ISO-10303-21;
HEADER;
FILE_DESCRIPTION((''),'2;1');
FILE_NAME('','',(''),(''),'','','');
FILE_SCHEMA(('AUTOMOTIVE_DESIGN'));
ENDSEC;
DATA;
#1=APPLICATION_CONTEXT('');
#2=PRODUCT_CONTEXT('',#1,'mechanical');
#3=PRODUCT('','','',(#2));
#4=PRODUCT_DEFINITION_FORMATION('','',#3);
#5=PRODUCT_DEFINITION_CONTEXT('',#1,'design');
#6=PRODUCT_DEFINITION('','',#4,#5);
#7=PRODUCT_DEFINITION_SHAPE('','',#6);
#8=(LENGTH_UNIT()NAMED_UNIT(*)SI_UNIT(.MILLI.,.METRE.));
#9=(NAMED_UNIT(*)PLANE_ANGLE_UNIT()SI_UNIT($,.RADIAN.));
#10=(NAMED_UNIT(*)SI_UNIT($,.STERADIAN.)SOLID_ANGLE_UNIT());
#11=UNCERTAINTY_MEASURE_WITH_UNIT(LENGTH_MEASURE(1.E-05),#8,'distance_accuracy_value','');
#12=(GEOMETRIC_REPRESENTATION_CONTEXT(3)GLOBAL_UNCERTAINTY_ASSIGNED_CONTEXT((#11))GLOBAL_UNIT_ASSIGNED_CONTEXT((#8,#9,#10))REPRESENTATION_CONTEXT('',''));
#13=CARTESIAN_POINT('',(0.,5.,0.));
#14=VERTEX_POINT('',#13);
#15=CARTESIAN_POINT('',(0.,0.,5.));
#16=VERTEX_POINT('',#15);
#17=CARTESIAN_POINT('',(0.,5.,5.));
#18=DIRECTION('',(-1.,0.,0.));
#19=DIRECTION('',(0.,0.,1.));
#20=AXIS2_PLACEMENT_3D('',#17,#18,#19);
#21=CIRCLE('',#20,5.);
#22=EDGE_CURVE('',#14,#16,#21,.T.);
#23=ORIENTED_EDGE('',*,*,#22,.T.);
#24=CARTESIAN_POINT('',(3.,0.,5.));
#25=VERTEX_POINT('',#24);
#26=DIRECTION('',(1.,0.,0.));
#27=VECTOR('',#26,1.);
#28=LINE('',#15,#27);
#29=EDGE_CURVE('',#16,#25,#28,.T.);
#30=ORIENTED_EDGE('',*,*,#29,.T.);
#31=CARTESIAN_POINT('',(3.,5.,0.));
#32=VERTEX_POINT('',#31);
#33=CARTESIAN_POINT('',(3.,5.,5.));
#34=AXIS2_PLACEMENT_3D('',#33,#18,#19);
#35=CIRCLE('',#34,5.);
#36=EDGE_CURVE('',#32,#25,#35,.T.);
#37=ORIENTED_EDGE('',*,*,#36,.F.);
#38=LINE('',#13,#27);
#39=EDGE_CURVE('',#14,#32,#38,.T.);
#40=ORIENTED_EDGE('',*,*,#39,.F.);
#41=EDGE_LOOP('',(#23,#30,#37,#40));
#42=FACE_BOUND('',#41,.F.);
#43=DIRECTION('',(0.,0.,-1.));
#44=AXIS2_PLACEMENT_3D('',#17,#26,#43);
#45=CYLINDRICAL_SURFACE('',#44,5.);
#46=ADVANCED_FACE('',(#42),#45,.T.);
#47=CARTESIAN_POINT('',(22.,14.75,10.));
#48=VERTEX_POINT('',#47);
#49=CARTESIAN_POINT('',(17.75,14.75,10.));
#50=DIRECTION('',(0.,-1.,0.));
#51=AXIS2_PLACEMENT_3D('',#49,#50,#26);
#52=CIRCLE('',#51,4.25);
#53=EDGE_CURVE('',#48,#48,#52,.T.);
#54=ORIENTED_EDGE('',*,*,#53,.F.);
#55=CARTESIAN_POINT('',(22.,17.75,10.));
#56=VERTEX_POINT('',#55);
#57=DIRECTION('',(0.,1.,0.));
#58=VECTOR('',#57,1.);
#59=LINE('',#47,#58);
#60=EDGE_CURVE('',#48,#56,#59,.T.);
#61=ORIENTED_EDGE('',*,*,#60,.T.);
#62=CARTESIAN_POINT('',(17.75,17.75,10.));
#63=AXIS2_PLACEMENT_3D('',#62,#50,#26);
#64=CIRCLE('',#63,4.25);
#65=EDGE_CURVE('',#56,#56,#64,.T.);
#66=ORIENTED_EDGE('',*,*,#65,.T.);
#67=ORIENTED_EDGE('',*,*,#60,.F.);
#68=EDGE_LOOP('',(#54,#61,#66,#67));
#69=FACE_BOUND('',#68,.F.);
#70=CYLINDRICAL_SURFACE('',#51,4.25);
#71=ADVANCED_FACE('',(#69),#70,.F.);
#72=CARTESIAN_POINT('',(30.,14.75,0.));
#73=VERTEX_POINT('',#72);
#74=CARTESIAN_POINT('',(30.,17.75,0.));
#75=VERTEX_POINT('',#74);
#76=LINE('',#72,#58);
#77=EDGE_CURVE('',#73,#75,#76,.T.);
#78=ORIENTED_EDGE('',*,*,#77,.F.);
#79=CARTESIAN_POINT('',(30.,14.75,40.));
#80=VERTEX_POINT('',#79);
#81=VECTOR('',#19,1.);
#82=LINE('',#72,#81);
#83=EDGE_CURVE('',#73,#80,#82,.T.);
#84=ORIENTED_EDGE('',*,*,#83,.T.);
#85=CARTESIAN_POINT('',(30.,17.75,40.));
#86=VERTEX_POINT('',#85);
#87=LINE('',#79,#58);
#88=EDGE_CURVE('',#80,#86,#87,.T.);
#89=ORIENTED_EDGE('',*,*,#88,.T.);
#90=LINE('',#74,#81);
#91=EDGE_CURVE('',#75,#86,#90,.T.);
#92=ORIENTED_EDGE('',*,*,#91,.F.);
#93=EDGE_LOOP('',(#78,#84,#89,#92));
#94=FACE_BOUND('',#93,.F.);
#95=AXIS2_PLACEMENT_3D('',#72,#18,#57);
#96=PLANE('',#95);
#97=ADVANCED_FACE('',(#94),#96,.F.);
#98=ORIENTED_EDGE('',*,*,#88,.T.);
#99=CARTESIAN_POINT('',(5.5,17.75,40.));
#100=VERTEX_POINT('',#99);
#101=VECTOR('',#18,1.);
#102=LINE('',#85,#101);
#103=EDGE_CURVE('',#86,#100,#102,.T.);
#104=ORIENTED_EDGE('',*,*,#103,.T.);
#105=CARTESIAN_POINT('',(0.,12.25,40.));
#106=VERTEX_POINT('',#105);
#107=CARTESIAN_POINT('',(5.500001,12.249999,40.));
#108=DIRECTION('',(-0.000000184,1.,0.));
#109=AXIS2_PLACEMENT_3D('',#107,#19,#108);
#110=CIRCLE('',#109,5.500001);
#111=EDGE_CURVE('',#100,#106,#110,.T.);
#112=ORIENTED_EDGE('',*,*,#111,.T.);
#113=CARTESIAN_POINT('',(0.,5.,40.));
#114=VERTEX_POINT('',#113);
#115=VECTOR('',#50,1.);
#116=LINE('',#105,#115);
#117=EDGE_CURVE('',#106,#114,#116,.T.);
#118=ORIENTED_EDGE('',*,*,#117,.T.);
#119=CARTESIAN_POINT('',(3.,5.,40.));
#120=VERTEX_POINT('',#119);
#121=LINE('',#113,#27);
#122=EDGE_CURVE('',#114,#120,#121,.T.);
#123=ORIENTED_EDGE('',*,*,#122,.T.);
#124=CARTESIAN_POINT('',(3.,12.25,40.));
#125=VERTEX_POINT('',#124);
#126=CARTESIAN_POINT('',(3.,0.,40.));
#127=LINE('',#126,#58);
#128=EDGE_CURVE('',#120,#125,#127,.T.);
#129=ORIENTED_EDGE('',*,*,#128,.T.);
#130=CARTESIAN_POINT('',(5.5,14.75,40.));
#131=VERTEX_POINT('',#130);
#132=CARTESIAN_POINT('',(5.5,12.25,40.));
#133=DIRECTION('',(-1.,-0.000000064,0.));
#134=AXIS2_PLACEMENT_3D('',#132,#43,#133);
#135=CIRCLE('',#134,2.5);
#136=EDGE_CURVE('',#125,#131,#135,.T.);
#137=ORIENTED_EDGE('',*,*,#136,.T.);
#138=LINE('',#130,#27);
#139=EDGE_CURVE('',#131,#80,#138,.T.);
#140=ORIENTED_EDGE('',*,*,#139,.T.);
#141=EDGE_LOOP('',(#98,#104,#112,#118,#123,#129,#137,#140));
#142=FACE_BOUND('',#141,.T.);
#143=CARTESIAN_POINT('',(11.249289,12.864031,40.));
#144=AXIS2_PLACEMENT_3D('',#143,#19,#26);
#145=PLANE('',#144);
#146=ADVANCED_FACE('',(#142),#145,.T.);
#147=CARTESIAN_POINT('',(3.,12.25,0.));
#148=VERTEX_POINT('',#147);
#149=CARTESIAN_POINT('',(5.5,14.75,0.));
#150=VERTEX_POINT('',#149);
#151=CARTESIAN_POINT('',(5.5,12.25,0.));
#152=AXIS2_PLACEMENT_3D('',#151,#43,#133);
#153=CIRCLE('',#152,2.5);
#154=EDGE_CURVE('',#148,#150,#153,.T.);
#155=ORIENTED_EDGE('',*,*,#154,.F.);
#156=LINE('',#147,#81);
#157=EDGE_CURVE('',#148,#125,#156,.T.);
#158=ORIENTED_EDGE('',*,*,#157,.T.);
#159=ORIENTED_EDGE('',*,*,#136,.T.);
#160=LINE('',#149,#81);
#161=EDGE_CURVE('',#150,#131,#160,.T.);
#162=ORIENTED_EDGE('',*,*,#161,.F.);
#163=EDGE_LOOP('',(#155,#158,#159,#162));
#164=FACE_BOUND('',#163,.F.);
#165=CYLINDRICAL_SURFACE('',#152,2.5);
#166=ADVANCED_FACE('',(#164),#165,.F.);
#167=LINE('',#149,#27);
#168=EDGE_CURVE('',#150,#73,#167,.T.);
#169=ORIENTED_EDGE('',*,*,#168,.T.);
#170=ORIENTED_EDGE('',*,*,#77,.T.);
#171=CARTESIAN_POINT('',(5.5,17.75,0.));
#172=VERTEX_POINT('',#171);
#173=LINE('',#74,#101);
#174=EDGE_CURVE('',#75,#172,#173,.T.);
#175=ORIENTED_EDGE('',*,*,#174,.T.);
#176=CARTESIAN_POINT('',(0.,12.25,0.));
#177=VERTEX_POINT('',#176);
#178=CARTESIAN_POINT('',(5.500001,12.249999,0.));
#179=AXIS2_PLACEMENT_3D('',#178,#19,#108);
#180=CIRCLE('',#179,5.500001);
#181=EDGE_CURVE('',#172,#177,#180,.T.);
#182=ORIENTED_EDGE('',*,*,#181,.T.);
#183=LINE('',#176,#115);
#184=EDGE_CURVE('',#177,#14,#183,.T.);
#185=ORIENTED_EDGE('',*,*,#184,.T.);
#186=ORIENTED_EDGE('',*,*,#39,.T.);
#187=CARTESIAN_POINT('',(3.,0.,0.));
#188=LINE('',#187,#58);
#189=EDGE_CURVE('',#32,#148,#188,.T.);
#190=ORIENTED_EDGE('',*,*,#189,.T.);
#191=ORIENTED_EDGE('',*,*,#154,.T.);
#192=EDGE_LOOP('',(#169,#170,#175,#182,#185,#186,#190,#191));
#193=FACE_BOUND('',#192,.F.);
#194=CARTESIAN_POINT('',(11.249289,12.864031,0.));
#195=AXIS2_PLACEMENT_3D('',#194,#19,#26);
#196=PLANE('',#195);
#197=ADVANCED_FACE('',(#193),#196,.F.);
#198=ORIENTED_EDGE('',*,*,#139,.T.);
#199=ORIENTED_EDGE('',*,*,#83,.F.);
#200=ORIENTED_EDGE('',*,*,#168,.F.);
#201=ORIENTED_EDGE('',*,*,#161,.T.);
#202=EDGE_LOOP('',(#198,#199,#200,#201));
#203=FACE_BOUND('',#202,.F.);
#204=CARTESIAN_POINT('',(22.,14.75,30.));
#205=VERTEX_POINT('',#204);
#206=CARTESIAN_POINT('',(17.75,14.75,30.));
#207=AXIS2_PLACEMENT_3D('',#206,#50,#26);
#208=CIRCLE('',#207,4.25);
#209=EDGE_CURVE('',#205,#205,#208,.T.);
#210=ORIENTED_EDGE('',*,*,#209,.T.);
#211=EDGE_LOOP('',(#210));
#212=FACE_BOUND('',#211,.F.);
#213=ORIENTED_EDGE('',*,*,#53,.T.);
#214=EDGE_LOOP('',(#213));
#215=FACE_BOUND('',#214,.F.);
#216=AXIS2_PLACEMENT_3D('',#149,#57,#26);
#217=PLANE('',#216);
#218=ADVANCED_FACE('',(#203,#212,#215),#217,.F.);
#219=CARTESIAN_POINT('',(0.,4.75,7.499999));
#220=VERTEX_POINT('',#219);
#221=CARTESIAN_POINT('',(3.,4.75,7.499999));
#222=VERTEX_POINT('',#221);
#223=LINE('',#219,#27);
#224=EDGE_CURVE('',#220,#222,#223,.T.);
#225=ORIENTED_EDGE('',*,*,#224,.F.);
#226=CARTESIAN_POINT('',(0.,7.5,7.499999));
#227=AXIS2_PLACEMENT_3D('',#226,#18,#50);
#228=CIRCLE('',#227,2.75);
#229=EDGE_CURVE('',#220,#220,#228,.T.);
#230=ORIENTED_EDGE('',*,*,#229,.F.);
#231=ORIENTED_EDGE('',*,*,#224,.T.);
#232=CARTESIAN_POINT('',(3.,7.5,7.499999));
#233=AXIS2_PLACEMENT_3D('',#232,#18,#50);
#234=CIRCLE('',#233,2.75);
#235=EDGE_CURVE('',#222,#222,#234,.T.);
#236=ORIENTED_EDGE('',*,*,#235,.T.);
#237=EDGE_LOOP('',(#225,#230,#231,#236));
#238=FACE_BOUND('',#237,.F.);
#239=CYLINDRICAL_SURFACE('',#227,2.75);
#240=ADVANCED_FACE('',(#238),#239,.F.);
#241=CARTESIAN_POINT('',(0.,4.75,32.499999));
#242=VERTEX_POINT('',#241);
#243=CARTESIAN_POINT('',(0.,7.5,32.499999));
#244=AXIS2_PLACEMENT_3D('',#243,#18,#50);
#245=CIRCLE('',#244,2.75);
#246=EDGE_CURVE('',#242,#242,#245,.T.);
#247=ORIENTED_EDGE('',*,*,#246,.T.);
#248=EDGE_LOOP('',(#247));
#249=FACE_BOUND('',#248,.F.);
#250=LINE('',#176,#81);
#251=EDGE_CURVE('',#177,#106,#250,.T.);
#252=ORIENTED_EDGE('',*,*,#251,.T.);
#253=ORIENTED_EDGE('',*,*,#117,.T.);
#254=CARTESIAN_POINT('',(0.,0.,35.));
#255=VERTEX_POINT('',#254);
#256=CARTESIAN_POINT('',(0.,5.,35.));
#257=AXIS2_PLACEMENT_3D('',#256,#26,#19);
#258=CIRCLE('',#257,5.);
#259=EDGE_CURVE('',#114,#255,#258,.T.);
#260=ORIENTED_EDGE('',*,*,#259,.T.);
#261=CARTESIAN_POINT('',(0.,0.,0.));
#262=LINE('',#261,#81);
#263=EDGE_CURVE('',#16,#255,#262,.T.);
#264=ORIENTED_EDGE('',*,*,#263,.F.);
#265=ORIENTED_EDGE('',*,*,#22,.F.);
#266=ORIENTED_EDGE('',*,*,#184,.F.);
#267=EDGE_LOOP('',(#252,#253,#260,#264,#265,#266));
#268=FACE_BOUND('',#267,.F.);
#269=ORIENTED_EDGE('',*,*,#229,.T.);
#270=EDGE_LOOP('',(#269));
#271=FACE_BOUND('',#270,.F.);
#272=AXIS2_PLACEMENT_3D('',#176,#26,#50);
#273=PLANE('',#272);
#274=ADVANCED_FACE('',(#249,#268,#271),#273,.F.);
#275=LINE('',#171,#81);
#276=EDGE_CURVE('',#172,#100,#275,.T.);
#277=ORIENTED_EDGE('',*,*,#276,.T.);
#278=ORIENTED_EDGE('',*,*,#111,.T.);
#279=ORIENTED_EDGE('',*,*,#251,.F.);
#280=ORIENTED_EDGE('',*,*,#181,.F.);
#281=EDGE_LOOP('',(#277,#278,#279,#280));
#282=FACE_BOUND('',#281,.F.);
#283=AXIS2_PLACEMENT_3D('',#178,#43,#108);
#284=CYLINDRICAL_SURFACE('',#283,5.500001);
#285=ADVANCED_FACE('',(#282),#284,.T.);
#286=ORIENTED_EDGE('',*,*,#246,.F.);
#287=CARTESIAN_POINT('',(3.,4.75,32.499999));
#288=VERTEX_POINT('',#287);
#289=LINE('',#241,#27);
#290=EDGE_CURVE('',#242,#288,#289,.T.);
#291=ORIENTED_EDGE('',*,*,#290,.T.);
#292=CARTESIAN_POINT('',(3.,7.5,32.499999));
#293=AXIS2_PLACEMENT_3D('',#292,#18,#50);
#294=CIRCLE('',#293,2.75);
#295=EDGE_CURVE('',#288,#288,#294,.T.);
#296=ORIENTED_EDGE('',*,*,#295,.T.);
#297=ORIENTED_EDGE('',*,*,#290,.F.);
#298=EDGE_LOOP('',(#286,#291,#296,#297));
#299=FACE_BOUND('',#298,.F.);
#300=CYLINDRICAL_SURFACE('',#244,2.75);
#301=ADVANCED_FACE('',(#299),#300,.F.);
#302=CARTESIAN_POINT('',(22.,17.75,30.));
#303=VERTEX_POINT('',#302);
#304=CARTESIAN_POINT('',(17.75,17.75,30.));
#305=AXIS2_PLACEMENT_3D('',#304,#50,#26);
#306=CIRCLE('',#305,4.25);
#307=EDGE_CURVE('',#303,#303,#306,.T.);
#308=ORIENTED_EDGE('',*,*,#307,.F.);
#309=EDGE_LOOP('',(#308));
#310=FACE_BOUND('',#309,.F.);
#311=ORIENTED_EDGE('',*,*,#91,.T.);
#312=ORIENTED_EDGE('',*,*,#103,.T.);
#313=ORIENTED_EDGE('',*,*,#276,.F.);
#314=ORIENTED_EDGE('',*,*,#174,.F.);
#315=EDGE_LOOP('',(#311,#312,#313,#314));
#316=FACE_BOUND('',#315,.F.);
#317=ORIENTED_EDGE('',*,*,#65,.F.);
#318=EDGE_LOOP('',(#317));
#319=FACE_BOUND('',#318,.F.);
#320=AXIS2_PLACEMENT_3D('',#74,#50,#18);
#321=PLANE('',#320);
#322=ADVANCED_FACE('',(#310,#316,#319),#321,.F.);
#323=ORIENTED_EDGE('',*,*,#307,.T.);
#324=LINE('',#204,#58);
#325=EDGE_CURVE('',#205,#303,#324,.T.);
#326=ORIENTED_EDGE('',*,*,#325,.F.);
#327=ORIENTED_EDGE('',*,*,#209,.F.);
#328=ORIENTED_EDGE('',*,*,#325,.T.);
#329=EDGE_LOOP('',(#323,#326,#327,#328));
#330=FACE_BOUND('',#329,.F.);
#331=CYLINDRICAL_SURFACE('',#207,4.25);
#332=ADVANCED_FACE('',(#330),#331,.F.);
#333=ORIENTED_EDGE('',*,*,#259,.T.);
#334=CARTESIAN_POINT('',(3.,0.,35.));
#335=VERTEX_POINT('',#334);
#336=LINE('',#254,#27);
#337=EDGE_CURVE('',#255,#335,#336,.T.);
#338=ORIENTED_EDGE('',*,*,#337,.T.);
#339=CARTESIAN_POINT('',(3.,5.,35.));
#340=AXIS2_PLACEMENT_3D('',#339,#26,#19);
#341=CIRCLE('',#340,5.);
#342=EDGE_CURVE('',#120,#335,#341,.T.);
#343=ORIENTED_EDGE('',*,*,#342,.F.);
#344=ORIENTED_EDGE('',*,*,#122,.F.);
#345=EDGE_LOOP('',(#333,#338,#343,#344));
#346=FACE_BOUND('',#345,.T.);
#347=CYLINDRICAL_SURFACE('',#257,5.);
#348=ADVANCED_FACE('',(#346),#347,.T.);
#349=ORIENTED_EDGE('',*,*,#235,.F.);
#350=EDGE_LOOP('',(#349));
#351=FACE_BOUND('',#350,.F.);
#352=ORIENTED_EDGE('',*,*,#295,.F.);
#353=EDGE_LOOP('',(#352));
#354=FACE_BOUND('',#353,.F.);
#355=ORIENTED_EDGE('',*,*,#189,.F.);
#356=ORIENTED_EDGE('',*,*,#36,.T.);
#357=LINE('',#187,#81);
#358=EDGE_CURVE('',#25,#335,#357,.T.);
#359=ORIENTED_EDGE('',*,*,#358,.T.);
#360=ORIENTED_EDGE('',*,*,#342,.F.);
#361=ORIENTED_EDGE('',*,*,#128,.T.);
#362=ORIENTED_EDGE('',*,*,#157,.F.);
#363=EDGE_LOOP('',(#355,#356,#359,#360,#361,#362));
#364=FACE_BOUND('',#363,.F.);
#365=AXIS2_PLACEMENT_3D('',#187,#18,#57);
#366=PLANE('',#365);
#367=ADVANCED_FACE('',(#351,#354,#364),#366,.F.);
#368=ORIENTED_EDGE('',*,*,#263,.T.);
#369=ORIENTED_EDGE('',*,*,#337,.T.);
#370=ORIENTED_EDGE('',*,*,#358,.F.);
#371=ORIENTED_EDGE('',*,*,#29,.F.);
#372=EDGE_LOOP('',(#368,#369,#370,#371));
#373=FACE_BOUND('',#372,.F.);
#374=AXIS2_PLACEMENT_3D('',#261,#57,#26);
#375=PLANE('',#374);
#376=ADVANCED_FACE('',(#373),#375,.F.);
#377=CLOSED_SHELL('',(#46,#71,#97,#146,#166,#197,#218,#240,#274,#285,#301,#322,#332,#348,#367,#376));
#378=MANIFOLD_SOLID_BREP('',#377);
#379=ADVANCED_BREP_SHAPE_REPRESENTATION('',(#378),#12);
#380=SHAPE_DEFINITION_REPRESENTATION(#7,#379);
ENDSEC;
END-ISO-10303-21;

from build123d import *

# Parameters (mm, degrees)
F1_DEPTH = 40
F2_R     = 2.75
F4_DEPTH = 30.001
F3_R     = 4.25
F5_DEPTH = 3.001
F6_R     = 5


with BuildPart() as f1:
    # F0 (on Top) → F1 (new body)
    with BuildSketch(Plane.XY):
        with BuildLine():
            Line((0, 12.25), (0, 0))
            Line((0, 0), (3, 0))
            Line((3, 0), (3, 12.25))
            ThreePointArc((3, 12.25), (3.732233, 14.017767), (5.5, 14.75))
            Line((5.5, 14.75), (30, 14.75))
            Line((30, 14.75), (30, 17.75))
            Line((30, 17.75), (5.5, 17.75))
            ThreePointArc((5.5, 17.75), (1.610913, 16.139087), (0, 12.25))
        make_face()
    extrude(amount=F1_DEPTH)

    # F2 (on face) → F4 (cut, through all)
    with BuildSketch(Plane(origin=(0, 0, 0), x_dir=(0, -1, 0), z_dir=(-1, 0, 0))):
        with Locations((-7.5, 32.499999)):
            Circle(F2_R)
        with Locations((-7.5, 7.499999)):
            Circle(F2_R)
    extrude(amount=-F4_DEPTH, mode=Mode.SUBTRACT)

    # F3 (on face) → F5 (cut, through all)
    with BuildSketch(Plane.XZ.offset(-14.75)):
        with Locations((17.75, 10)):
            Circle(F3_R)
        with Locations((17.75, 30)):
            Circle(F3_R)
    extrude(amount=-F5_DEPTH, mode=Mode.SUBTRACT)

    # F6
    f6_edges = [f1.edges().sort_by_distance(p)[0] for p in [
        (1.5, 0, 40),
        (1.5, 0, 0),
    ]]
    fillet(f6_edges, radius=F6_R)


solid = f1.part
